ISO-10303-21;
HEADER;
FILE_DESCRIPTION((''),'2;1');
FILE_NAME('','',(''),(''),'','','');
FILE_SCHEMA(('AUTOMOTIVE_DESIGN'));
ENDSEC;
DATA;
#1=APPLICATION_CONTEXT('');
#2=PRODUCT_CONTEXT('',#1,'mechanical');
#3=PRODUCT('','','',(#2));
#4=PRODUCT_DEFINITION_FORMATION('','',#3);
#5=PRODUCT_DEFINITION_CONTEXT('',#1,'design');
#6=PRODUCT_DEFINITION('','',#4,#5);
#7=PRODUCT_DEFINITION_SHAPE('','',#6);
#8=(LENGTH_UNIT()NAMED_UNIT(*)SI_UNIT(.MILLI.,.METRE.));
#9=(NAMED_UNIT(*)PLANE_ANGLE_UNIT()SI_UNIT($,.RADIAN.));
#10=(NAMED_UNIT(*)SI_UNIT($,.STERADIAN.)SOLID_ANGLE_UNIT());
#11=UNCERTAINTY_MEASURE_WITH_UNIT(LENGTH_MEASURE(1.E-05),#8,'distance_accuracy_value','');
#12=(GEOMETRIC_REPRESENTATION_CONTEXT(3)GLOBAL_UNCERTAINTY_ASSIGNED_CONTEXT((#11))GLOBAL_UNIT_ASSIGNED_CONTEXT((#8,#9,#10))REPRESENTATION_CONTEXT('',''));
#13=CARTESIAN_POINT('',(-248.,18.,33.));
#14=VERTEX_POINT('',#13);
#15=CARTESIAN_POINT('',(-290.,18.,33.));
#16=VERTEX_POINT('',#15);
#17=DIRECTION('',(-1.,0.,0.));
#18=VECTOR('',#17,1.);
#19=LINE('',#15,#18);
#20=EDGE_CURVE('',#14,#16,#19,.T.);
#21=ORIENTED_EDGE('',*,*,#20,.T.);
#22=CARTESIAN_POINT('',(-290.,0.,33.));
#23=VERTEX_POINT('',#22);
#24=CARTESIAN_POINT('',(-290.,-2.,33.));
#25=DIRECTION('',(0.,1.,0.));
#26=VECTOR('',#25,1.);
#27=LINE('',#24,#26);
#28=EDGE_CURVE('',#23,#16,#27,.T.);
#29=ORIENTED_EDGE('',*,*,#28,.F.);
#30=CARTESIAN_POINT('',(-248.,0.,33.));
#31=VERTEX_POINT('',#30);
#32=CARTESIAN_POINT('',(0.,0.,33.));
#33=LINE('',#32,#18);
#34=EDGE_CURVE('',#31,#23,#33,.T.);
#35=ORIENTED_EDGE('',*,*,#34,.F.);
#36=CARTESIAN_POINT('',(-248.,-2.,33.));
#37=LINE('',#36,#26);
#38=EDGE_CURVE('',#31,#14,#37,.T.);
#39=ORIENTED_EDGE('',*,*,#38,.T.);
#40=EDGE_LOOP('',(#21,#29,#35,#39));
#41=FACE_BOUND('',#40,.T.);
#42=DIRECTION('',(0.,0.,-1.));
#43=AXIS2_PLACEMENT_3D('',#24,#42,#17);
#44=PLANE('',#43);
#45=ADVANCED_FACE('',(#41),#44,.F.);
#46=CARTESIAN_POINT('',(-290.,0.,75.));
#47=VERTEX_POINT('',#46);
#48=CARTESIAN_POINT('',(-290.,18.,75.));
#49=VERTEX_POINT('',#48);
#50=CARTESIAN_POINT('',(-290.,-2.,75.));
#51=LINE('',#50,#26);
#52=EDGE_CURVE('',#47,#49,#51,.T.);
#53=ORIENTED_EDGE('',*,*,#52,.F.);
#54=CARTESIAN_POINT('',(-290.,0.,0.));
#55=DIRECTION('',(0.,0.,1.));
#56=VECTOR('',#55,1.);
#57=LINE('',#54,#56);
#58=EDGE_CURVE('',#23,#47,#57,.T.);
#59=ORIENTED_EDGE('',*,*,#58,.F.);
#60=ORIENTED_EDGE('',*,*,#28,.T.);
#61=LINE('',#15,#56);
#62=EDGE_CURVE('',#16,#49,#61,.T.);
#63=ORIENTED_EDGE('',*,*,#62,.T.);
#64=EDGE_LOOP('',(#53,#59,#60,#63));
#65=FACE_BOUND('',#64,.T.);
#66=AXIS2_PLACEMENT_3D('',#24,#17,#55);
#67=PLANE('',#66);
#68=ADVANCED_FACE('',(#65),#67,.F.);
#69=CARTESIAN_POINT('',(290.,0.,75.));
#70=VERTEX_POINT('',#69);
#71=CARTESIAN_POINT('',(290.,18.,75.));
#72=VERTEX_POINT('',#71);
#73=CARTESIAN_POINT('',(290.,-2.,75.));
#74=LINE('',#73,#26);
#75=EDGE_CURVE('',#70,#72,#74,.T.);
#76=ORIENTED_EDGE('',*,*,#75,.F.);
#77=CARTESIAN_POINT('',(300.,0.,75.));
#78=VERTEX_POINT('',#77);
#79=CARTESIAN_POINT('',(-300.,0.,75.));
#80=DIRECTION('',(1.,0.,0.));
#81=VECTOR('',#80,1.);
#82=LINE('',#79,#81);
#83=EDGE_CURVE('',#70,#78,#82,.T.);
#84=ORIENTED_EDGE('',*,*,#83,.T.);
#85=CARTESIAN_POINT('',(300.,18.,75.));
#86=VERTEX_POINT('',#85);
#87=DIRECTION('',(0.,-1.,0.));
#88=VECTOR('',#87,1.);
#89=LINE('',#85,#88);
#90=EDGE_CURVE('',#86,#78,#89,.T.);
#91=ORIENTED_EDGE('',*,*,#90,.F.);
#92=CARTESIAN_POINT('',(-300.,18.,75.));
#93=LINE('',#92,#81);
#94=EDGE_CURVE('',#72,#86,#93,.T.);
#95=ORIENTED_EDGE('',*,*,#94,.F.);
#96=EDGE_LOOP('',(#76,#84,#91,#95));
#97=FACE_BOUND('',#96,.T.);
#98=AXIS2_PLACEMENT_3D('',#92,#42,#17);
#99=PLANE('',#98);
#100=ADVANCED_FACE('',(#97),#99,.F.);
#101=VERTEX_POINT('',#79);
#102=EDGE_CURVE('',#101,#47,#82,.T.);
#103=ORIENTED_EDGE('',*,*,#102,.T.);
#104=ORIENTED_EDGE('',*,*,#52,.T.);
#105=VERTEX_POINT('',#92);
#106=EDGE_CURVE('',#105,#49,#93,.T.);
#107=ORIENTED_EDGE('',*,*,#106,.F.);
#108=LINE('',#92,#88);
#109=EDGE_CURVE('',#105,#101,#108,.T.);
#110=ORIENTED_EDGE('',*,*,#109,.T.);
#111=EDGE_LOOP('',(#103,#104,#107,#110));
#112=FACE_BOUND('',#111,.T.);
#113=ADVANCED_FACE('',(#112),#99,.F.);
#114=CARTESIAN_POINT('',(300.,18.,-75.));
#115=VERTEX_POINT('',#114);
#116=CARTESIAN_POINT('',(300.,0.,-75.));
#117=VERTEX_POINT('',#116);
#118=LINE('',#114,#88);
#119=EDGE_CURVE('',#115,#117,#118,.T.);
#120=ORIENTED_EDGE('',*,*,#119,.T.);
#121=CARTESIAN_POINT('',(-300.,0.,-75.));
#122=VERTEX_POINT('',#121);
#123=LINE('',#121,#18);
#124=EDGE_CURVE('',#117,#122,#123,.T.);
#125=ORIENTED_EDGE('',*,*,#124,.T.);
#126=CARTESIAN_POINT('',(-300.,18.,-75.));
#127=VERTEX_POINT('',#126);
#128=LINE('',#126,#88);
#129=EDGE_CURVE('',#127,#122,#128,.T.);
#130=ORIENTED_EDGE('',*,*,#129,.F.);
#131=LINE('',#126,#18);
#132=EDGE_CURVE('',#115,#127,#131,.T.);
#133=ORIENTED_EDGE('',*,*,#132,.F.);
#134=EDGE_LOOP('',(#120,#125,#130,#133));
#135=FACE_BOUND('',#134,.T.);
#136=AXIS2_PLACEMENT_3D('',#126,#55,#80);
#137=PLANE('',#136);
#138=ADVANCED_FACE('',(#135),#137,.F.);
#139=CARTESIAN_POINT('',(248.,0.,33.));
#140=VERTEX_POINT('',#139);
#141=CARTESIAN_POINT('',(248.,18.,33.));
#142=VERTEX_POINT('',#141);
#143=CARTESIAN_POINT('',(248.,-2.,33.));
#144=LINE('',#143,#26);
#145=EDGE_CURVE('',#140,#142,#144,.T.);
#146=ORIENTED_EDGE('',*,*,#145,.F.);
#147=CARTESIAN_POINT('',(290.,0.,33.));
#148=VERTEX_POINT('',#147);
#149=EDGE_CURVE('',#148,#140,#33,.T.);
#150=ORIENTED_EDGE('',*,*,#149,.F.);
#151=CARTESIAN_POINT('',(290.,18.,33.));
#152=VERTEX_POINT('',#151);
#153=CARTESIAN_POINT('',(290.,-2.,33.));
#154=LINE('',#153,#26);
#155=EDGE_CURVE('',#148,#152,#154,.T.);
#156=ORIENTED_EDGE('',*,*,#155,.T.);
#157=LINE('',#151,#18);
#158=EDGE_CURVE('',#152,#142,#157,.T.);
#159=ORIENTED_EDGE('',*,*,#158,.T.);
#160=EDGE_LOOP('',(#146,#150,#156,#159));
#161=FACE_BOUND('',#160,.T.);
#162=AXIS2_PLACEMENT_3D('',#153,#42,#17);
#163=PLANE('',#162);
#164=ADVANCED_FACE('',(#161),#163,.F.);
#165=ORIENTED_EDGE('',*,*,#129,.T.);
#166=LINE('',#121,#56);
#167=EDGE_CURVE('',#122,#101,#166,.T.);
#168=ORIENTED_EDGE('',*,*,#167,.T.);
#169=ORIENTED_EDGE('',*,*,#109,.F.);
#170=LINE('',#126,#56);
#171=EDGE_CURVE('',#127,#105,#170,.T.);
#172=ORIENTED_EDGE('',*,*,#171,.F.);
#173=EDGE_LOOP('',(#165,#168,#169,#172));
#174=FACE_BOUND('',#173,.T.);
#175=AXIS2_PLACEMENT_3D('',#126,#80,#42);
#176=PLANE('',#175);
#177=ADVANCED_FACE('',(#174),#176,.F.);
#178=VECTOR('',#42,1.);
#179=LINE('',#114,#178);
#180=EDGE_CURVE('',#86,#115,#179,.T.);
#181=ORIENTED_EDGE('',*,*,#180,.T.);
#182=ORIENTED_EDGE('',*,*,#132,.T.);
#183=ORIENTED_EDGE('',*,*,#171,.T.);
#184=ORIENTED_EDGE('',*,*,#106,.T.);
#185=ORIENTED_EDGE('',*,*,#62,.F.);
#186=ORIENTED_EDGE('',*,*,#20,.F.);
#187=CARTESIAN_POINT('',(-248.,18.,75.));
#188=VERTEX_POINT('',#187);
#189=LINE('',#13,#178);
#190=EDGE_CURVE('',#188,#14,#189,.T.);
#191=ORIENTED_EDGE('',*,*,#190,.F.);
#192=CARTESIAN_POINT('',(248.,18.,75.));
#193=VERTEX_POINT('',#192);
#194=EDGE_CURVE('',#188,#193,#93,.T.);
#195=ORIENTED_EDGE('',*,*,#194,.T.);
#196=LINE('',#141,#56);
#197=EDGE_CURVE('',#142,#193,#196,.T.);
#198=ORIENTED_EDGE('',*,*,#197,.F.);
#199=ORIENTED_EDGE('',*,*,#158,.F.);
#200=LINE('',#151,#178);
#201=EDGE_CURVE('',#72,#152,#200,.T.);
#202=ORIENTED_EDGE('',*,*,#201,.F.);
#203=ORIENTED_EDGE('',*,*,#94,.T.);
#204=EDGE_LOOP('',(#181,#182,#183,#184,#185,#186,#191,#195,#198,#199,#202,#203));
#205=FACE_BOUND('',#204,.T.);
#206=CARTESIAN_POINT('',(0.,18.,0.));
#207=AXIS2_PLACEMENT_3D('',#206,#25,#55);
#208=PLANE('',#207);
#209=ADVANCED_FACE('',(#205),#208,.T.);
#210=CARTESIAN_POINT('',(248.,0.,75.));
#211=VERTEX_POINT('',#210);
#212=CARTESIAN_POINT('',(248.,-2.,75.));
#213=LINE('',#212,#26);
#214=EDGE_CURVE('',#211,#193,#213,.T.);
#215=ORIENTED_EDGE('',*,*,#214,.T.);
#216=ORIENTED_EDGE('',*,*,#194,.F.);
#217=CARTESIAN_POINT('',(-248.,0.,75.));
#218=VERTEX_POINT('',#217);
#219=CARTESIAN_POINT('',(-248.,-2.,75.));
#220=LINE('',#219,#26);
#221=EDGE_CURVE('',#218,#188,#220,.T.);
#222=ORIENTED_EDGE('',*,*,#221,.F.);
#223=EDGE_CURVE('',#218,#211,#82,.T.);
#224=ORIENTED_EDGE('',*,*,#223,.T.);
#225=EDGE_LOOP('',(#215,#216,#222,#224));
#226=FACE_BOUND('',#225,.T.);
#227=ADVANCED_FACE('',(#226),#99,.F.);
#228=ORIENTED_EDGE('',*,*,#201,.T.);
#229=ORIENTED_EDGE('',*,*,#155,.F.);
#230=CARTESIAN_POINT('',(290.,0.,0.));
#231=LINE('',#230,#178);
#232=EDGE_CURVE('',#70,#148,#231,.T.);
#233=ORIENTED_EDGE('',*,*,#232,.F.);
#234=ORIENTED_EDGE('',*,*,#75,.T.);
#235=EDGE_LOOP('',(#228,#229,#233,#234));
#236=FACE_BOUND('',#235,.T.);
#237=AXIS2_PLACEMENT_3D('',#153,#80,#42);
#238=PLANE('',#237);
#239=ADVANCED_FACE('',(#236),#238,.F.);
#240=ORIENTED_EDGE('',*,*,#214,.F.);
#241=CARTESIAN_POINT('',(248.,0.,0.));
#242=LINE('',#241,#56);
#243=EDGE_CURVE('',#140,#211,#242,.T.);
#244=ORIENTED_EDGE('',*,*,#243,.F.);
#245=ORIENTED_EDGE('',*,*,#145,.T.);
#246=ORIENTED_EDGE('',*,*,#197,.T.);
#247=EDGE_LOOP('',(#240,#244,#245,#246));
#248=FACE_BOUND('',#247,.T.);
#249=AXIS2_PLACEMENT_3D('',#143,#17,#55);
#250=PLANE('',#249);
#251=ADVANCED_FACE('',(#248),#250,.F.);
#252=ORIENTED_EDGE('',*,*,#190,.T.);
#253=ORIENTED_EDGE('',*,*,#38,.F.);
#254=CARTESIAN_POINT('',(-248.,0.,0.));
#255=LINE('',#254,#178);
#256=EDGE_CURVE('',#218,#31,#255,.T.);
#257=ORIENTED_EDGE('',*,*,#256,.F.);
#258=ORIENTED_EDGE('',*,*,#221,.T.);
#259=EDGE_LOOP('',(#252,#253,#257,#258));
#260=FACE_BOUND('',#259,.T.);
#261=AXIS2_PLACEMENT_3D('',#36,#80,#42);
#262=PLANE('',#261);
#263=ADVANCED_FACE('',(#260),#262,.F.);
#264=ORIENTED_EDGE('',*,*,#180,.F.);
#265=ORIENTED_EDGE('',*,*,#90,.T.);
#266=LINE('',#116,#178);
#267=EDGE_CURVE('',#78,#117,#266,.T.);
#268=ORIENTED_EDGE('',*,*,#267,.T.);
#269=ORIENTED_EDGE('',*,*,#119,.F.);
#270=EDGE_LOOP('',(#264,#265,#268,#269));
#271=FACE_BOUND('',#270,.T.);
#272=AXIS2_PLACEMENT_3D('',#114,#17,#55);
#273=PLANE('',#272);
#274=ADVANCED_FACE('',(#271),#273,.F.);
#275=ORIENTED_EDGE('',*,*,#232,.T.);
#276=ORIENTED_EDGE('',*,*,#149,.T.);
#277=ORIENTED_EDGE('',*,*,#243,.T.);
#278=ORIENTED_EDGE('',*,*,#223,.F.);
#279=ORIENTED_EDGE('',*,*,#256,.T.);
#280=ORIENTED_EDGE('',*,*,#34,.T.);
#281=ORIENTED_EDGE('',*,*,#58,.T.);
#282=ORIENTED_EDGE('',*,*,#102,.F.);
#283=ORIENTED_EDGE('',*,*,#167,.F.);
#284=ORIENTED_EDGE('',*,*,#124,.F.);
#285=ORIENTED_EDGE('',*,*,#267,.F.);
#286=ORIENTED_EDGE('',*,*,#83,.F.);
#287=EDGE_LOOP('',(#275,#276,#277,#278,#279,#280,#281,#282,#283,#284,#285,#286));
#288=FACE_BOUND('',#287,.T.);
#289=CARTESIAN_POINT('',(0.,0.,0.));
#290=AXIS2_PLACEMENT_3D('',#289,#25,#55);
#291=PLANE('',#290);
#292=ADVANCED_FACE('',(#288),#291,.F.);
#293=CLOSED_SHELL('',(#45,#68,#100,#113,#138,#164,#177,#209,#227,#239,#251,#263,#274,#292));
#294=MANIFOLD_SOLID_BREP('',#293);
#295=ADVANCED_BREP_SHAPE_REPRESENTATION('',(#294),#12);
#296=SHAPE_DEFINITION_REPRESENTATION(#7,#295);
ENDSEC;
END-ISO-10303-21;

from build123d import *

# Parameters (mm, degrees)
ESQUISSE1_W             = 600
ESQUISSE1_H             = 150
BOSS_EXTRU_1_DEPTH      = 18
ESQUISSE3_W             = 42
ESQUISSE3_H             = 42
ENL_V_MAT_EXTRU_1_DEPTH = 20


with BuildPart() as part:
    # Esquisse1 → Boss.-Extru.1 (new body)
    with BuildSketch(Plane(origin=(0, 0, 0), x_dir=(1, 0, 0), z_dir=(0, 1, 0))):
        Rectangle(ESQUISSE1_W, ESQUISSE1_H)
    extrude(amount=BOSS_EXTRU_1_DEPTH)

    # Esquisse3 → Enlèv. mat.-Extru.1 (cut)
    with BuildSketch(Plane(origin=(0, 18, 0), x_dir=(1, 0, 0), z_dir=(0, 1, 0))):
        with Locations((-269, -54)):
            Rectangle(ESQUISSE3_W, ESQUISSE3_H)
        with Locations((269, -54)):
            Rectangle(ESQUISSE3_W, ESQUISSE3_H)
    extrude(amount=-ENL_V_MAT_EXTRU_1_DEPTH, mode=Mode.SUBTRACT)


solid = part.part
